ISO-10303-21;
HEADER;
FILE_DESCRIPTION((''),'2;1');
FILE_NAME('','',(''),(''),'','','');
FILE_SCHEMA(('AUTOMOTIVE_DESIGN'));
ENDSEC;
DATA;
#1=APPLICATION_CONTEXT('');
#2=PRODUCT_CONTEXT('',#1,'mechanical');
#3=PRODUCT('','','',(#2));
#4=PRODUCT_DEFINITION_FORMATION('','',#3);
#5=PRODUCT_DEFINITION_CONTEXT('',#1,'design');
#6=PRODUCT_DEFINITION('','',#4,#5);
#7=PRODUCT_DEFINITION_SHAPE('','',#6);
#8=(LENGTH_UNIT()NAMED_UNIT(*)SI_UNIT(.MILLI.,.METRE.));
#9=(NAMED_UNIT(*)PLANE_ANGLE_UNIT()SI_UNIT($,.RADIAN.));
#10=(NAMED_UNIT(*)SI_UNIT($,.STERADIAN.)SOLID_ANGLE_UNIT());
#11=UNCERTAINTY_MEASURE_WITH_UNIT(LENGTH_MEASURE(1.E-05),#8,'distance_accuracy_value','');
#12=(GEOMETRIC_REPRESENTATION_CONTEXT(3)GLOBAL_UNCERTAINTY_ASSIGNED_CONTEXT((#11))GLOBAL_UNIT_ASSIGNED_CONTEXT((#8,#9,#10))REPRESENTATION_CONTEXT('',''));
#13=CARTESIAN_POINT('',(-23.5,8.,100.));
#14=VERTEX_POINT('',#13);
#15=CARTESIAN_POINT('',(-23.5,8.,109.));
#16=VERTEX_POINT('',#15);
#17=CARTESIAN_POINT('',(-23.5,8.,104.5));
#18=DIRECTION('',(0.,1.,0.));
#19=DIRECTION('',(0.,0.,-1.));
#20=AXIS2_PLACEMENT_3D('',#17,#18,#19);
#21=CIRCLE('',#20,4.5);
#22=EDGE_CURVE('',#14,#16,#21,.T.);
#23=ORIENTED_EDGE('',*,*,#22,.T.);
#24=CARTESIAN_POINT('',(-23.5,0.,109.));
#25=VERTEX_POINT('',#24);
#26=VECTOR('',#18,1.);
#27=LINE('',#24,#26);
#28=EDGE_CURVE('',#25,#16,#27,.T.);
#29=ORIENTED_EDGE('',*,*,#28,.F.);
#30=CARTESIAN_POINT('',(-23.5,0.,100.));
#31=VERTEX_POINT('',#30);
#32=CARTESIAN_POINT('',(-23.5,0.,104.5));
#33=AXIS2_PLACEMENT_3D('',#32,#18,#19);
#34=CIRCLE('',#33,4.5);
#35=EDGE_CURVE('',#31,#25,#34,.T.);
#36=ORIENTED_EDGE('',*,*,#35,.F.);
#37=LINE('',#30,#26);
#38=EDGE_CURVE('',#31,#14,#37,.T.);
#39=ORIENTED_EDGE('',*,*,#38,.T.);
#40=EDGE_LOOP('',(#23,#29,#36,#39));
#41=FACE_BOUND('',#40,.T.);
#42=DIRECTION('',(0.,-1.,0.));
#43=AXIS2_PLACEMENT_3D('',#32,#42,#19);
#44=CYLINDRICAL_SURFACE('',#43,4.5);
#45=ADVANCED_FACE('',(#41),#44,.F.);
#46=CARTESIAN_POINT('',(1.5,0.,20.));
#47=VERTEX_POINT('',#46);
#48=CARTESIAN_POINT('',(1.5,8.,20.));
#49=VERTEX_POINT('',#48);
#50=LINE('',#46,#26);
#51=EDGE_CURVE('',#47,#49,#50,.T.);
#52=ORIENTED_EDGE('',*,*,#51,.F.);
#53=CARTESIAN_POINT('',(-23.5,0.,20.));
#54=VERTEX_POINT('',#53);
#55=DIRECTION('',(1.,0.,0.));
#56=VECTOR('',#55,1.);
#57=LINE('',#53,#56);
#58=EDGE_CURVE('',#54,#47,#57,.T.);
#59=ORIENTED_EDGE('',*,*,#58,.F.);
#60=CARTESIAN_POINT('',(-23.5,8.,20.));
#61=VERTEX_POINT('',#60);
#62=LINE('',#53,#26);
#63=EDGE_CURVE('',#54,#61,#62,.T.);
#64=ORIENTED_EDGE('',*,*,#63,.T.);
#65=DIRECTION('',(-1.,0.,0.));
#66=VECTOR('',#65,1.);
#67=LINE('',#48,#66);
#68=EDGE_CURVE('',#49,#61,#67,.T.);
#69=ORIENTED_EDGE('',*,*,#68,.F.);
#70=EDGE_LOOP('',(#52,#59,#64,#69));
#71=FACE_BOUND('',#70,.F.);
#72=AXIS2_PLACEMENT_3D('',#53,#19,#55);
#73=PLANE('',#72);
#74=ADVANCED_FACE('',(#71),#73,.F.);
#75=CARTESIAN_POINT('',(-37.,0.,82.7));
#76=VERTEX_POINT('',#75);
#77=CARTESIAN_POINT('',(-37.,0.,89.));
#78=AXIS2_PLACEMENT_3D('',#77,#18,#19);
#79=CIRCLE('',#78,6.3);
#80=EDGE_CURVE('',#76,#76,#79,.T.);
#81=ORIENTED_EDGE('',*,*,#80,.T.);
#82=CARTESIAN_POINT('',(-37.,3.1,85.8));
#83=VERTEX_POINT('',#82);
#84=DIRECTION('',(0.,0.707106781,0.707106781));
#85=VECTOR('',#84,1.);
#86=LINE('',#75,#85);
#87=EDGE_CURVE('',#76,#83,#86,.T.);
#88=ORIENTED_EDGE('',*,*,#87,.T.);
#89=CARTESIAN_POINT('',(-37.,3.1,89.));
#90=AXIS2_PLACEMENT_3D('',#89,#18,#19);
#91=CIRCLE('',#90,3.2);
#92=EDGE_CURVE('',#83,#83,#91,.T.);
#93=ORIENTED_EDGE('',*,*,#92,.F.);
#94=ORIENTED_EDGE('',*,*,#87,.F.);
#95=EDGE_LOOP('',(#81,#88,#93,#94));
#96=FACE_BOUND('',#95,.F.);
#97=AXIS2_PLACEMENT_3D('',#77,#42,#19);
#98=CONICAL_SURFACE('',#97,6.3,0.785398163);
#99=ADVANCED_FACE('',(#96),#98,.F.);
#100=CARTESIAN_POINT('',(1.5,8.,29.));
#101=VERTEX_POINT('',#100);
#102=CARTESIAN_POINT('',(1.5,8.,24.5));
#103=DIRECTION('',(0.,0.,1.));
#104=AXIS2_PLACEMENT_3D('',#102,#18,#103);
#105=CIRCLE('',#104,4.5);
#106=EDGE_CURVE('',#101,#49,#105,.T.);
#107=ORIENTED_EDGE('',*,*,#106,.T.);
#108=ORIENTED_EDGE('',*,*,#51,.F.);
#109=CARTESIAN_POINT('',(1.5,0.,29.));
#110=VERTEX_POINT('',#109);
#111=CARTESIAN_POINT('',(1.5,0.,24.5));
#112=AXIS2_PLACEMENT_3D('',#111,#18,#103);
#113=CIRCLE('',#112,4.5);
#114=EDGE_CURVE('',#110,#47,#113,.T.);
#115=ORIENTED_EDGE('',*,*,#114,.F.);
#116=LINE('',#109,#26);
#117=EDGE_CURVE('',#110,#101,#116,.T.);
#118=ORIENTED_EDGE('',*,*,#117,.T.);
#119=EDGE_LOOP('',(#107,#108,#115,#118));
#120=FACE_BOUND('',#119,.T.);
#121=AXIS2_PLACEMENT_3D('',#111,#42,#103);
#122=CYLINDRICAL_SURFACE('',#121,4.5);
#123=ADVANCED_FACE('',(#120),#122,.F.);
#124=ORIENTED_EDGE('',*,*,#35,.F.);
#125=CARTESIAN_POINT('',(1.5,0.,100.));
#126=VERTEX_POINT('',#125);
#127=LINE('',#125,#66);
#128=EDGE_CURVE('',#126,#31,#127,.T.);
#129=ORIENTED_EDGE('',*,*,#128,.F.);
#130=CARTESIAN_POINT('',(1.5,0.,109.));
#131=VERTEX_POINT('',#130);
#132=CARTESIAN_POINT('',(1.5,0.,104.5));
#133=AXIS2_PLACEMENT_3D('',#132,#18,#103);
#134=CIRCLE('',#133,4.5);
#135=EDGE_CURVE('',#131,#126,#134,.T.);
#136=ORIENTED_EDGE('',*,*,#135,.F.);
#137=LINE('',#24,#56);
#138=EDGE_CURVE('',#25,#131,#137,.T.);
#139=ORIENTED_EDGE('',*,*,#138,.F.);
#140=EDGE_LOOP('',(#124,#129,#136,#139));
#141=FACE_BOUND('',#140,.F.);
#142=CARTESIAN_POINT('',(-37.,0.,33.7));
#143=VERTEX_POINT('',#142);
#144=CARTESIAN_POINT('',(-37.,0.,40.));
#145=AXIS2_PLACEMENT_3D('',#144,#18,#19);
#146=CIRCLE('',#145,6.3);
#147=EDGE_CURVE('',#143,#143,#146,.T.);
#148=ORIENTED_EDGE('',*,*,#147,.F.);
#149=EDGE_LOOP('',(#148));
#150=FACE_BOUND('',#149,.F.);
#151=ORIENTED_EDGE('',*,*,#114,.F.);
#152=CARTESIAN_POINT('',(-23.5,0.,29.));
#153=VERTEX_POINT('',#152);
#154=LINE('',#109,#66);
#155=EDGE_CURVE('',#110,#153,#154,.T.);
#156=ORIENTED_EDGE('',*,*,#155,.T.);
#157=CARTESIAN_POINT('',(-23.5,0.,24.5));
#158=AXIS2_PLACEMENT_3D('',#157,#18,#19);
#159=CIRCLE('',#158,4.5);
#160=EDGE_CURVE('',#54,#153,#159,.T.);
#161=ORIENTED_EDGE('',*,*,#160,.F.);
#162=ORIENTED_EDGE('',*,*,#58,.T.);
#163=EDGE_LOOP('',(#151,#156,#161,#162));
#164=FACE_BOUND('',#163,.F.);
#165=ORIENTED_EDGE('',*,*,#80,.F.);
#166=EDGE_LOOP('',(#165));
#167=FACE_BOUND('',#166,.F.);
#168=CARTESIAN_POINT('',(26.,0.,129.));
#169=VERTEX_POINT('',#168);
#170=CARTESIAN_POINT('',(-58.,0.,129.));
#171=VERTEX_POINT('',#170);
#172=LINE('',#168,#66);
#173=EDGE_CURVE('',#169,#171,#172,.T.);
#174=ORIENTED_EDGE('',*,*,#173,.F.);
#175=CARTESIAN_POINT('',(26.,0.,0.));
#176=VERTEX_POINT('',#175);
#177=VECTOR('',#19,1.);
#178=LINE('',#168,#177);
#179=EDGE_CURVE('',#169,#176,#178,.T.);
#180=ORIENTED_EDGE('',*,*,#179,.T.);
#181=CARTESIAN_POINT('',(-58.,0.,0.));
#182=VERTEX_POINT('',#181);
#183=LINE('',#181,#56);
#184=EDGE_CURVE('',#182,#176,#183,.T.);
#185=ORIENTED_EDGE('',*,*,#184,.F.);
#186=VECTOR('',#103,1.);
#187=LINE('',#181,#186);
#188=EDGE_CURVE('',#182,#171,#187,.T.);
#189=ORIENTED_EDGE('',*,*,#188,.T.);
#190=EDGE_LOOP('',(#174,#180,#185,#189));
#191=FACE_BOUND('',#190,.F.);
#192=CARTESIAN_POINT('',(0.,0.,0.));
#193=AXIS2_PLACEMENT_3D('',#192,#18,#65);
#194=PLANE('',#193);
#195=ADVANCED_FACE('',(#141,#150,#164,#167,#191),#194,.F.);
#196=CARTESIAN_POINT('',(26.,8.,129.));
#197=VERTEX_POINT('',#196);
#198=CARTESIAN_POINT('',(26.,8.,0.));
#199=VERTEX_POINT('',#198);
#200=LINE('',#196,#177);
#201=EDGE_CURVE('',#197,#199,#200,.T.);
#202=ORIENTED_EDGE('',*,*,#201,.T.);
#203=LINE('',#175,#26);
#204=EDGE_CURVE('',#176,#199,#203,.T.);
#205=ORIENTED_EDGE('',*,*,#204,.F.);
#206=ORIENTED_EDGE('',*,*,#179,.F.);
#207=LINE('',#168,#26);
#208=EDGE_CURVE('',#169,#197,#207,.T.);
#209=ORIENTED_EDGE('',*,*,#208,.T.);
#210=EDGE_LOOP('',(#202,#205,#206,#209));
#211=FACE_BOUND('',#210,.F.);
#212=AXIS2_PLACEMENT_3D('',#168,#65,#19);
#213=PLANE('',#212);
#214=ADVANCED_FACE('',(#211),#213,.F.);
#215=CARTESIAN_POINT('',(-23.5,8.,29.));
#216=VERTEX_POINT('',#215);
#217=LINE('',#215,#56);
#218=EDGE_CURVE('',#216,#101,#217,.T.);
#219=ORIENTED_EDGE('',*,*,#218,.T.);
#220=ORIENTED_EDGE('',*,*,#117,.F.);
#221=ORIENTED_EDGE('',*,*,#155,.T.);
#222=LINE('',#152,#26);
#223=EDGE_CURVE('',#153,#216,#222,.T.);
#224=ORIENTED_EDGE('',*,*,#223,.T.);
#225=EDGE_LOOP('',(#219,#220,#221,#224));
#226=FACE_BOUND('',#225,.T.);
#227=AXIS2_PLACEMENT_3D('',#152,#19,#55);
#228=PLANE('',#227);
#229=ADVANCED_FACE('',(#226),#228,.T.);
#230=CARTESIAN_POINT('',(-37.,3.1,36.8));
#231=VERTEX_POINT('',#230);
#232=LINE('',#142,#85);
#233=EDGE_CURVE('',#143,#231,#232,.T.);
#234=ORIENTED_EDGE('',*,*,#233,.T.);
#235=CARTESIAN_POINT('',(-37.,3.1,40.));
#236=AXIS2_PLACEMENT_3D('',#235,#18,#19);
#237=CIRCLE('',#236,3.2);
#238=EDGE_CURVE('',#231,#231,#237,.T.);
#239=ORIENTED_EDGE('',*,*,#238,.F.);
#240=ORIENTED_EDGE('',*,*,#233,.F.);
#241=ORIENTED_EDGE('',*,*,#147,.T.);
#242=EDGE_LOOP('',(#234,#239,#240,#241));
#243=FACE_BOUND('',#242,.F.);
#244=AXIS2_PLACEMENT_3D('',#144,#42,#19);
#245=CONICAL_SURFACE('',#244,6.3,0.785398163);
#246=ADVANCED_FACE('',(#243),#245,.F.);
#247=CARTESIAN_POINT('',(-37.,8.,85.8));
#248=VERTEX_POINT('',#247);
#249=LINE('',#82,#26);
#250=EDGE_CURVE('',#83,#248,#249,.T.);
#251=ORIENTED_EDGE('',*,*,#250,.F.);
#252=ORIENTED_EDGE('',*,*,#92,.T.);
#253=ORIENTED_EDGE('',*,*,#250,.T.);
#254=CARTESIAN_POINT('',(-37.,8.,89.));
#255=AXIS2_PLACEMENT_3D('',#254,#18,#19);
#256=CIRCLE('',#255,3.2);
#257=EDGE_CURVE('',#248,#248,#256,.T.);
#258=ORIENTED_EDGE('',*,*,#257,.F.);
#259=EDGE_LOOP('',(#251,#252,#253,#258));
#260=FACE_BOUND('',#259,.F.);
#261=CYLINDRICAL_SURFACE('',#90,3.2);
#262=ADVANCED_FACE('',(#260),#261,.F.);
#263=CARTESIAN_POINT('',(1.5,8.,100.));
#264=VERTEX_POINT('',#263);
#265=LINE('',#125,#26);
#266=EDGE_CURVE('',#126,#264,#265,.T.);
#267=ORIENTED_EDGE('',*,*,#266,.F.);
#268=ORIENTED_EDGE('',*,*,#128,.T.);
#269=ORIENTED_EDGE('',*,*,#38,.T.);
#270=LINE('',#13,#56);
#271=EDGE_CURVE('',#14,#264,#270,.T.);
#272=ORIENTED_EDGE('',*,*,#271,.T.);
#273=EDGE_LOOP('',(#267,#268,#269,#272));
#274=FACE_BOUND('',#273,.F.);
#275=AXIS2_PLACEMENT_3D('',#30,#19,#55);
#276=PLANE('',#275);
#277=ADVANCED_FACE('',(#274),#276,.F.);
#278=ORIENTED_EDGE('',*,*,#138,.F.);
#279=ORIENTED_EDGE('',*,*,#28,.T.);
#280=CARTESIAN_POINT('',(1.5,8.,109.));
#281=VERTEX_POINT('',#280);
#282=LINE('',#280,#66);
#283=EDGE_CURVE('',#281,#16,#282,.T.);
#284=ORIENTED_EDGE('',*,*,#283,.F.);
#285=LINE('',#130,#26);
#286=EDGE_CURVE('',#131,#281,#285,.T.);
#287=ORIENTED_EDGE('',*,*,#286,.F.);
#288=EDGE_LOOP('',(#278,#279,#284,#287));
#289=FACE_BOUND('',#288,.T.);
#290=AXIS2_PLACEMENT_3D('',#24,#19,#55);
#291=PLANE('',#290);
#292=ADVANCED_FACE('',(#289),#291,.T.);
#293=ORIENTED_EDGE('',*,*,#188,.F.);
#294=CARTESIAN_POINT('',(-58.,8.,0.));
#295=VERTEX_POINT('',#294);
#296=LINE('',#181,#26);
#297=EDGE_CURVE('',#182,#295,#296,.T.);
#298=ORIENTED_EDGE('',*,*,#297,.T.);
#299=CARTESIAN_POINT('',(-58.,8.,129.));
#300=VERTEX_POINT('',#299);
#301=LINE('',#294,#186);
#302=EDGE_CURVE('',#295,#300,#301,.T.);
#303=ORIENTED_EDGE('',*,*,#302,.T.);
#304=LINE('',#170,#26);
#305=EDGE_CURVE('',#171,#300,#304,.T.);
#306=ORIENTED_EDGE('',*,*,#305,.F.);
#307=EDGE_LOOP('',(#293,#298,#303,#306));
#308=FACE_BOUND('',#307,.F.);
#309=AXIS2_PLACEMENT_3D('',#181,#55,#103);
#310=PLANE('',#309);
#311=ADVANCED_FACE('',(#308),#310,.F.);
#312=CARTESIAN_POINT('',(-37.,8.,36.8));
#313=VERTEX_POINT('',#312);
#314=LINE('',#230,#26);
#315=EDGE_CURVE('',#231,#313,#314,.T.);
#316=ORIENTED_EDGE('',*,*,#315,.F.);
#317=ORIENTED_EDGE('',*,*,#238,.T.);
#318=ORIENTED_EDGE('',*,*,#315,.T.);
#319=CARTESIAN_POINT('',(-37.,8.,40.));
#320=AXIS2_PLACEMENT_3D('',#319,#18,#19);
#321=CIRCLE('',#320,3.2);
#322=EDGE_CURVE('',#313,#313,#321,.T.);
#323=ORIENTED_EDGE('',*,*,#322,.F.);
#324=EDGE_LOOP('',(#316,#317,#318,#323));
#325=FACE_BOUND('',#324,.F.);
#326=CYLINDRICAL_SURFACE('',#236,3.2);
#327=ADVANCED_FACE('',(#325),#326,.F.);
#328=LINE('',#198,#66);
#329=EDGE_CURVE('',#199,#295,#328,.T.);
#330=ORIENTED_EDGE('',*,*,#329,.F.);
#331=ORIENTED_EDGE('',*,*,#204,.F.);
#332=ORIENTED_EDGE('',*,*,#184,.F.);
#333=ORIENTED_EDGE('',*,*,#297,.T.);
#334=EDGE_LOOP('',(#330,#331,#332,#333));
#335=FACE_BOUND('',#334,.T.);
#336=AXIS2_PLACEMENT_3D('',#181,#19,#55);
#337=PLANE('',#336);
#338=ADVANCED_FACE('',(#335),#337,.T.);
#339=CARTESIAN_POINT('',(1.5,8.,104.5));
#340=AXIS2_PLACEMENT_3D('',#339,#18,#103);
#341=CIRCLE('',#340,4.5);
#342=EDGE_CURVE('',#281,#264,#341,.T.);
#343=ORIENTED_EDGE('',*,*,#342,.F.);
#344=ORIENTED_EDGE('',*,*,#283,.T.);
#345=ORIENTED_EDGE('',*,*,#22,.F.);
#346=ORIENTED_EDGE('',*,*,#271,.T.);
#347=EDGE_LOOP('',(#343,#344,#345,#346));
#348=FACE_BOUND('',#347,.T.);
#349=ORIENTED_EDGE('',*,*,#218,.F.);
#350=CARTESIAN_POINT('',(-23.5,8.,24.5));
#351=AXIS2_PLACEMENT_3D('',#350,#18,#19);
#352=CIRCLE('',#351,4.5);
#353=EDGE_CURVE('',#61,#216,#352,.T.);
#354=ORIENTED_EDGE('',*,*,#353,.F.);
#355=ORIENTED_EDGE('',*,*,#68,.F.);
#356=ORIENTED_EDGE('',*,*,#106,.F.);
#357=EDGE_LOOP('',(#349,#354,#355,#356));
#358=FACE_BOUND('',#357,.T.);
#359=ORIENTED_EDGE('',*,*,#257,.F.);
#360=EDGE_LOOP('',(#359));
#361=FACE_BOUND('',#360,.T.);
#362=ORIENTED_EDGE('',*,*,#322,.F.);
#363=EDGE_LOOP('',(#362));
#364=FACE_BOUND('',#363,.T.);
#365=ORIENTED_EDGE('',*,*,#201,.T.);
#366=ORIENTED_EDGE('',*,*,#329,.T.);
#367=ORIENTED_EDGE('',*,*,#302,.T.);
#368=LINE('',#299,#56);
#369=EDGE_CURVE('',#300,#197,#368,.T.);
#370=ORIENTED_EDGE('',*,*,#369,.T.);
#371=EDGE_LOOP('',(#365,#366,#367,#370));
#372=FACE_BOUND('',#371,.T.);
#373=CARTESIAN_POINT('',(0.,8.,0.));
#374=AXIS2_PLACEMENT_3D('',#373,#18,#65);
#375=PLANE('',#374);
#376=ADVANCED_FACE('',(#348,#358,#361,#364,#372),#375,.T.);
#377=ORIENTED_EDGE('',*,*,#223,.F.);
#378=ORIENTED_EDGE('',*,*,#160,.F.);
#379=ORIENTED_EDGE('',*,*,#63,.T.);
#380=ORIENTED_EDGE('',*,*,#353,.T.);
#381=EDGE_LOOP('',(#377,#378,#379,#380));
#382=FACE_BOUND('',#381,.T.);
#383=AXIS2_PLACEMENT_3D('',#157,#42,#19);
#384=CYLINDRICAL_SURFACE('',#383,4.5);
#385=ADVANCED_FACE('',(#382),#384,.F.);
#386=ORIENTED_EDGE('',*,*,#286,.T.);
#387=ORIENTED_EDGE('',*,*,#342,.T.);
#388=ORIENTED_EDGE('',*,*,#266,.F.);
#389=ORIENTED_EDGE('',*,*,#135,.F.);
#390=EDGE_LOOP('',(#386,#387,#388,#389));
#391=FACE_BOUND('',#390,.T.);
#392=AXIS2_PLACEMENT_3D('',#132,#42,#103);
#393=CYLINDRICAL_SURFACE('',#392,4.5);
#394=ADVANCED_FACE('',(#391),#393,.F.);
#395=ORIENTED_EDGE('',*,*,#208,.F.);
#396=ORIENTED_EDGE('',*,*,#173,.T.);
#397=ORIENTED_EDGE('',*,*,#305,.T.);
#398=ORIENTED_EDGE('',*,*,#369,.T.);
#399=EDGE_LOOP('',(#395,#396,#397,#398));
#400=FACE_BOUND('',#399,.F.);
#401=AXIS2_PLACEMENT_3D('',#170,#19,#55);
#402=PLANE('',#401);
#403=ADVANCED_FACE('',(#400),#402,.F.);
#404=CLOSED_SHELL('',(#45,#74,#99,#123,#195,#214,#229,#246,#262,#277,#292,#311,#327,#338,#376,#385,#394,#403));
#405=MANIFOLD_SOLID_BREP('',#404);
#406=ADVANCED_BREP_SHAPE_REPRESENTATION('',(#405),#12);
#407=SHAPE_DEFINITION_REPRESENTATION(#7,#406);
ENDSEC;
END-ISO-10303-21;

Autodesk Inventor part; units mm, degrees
ref_plane "YZ Plane" through (0, 0, 0) normal (1, 0, 0) x (0, 1, 0)
ref_plane "XZ Plane" through (0, 0, 0) normal (0, 1, 0) x (-1, 0, 0)
ref_plane "XY Plane" through (0, 0, 0) normal (0, 0, 1) x (1, 0, 0)
sketch "Sketch1" plane through (0, 0, 0) normal (0, 1, 0) x (-1, 0, 0)
  arc A0 (23.5, 20) -> (23.5, 29) centre (23.5, 24.5) ccw
  line L0 (23.5, 20) -> (-1.5, 20)
  line L1 (23.5, 29) -> (-1.5, 29)
  arc A1 (-1.5, 29) -> (-1.5, 20) centre (-1.5, 24.5) ccw
  arc A2 (23.5, 100) -> (23.5, 109) centre (23.5, 104.5) ccw
  line L2 (23.5, 100) -> (-1.5, 100)
  line L3 (23.5, 109) -> (-1.5, 109)
  arc A3 (-1.5, 109) -> (-1.5, 100) centre (-1.5, 104.5) ccw
  line L4 (74, 129) -> (0, 129)
  line L5 (0, 129) -> (74, 129)
  line L6 (74, 129) -> (74, 0)
  line L7 (74, 0) -> (0, 0)
  line L8 (0, 0) -> (0, 129)
  line L9 (0, 129) -> (-26, 129)
  line L10 (-26, 129) -> (-26, 0)
  line L11 (-26, 0) -> (0, 0)
  line L12 (0, 0) -> (0, 129)
  line L13 (74, 0) -> (58, 0)
  line L14 (58, 0) -> (58, 129)
  line L15 (58, 129) -> (74, 129)
  line L16 (74, 129) -> (74, 0)
  point P0 (0, 0)
  point P1 (23.5, 104.5)
  point P2 (0, 109)
  point P3 (0, 20)
  point P4 (0, 29)
  point P5 (0, 100)
  dimension "d98" = 74
  dimension "d106" = 26
  dimension "d118" = 16
extrude "Extrusion1" add sketch "Sketch1" along normal blind 8 contours A0 L1 L8 L2 A2 L3 L4 L14 L7 L0 | L8 L11 L10 L9 L3 A3 L2 L1 A1 L0
sketch "Sketch4" plane through (0, 0, 0) normal (0, -1, 0) x (1, 0, 0)
  line L0 (-74, 0) -> (-74, 129) projected
  line L1 (-74, 129) -> (0, 0)
  line L2 (0, 100) -> (0, 0) projected
  line L3 (0, 129) -> (-74, 0)
  line L4 (-37, 0) -> (-37, 129)
  line L5 (-58, 129) -> (26, 129) projected
  line L6 (-37, 129) -> (-37, 89)
  line L7 (-37, 129) -> (3, 129) construction
  line L8 (-37, 89) -> (-37, 40)
  line L9 (-37, 40) -> (-37, 0)
  point P0 (-37, 64.5)
  dimension "d119" = 40
  dimension "d120" = 90
  dimension "d121" = 49
  dimension "d122" = 40
hole "Hole1" at (-37, 0, 89) at (-37, 0, 40) direction (0, 1, 0) diameter 6.4 depth 20 countersink diameter 12.6 countersink angle 90 clearance for "Countersunk Flat Head Screw ISO 2009/7046" size "M6" standard "ISO"
properties part number "Halterung_Führungsschiene_Version2"
